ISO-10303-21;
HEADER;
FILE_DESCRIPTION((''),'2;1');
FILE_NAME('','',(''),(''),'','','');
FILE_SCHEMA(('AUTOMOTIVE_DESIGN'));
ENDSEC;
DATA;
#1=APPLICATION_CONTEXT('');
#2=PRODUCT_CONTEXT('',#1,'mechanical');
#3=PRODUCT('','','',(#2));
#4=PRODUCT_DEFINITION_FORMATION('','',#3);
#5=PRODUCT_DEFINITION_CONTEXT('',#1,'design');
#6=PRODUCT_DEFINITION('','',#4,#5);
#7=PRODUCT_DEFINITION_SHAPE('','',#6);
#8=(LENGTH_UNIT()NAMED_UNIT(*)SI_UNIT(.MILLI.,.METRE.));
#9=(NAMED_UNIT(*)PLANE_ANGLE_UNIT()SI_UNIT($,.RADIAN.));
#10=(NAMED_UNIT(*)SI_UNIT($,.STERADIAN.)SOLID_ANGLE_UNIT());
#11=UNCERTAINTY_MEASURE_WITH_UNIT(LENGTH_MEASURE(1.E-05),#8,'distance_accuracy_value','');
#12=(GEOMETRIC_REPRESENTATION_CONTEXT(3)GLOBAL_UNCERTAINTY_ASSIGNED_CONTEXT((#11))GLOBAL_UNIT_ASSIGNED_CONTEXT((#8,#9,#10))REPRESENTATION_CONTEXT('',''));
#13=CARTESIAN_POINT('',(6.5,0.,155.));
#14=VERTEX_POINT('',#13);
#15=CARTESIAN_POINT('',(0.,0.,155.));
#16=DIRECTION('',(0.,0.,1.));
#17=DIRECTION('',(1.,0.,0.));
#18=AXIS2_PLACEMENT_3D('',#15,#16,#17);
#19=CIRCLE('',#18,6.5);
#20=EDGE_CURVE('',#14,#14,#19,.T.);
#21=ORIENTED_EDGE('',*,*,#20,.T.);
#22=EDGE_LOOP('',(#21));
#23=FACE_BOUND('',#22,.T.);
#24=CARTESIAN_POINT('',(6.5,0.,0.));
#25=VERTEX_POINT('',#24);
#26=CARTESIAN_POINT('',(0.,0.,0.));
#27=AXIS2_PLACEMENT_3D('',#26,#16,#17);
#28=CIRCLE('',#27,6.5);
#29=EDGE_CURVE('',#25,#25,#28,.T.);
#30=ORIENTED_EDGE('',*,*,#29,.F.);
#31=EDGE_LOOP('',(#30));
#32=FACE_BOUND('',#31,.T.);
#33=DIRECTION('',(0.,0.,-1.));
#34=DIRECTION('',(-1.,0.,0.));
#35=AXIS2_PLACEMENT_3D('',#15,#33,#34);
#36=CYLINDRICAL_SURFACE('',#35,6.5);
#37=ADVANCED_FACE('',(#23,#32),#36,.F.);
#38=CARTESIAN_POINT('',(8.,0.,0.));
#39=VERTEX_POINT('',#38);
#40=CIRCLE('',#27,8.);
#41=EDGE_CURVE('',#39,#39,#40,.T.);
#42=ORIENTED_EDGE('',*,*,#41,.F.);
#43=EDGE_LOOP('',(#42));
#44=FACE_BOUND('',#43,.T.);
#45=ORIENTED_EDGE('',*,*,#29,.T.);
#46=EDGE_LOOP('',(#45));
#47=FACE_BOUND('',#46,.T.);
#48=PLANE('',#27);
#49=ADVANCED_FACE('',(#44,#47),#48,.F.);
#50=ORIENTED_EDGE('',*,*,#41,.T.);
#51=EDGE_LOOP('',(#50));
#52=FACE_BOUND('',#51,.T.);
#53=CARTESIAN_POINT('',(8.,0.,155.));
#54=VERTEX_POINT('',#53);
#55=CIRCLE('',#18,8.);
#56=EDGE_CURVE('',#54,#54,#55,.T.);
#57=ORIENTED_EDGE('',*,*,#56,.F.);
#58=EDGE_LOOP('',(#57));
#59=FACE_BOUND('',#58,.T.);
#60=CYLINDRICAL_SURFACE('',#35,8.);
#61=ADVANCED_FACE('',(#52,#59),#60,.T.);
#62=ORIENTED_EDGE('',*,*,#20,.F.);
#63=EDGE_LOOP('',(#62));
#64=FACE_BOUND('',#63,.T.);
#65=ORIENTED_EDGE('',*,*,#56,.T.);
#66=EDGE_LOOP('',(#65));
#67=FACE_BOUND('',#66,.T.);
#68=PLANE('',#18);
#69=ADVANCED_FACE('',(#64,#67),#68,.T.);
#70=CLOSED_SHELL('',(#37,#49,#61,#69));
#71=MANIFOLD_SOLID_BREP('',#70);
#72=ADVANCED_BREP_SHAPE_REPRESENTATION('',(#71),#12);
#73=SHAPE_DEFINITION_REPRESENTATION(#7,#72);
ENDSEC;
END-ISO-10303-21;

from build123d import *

# Parameters (mm, degrees)
SKETCH_1_R      = 8
SKETCH_1_R_2    = 6.5
EXTRUDE_1_DEPTH = 155


with BuildPart() as part:
    # 草图1 → 凸台-拉伸1 (new body)
    with BuildSketch(Plane.XY):
        Circle(SKETCH_1_R)
        Circle(SKETCH_1_R_2, mode=Mode.SUBTRACT)
    extrude(amount=EXTRUDE_1_DEPTH)


solid = part.part
